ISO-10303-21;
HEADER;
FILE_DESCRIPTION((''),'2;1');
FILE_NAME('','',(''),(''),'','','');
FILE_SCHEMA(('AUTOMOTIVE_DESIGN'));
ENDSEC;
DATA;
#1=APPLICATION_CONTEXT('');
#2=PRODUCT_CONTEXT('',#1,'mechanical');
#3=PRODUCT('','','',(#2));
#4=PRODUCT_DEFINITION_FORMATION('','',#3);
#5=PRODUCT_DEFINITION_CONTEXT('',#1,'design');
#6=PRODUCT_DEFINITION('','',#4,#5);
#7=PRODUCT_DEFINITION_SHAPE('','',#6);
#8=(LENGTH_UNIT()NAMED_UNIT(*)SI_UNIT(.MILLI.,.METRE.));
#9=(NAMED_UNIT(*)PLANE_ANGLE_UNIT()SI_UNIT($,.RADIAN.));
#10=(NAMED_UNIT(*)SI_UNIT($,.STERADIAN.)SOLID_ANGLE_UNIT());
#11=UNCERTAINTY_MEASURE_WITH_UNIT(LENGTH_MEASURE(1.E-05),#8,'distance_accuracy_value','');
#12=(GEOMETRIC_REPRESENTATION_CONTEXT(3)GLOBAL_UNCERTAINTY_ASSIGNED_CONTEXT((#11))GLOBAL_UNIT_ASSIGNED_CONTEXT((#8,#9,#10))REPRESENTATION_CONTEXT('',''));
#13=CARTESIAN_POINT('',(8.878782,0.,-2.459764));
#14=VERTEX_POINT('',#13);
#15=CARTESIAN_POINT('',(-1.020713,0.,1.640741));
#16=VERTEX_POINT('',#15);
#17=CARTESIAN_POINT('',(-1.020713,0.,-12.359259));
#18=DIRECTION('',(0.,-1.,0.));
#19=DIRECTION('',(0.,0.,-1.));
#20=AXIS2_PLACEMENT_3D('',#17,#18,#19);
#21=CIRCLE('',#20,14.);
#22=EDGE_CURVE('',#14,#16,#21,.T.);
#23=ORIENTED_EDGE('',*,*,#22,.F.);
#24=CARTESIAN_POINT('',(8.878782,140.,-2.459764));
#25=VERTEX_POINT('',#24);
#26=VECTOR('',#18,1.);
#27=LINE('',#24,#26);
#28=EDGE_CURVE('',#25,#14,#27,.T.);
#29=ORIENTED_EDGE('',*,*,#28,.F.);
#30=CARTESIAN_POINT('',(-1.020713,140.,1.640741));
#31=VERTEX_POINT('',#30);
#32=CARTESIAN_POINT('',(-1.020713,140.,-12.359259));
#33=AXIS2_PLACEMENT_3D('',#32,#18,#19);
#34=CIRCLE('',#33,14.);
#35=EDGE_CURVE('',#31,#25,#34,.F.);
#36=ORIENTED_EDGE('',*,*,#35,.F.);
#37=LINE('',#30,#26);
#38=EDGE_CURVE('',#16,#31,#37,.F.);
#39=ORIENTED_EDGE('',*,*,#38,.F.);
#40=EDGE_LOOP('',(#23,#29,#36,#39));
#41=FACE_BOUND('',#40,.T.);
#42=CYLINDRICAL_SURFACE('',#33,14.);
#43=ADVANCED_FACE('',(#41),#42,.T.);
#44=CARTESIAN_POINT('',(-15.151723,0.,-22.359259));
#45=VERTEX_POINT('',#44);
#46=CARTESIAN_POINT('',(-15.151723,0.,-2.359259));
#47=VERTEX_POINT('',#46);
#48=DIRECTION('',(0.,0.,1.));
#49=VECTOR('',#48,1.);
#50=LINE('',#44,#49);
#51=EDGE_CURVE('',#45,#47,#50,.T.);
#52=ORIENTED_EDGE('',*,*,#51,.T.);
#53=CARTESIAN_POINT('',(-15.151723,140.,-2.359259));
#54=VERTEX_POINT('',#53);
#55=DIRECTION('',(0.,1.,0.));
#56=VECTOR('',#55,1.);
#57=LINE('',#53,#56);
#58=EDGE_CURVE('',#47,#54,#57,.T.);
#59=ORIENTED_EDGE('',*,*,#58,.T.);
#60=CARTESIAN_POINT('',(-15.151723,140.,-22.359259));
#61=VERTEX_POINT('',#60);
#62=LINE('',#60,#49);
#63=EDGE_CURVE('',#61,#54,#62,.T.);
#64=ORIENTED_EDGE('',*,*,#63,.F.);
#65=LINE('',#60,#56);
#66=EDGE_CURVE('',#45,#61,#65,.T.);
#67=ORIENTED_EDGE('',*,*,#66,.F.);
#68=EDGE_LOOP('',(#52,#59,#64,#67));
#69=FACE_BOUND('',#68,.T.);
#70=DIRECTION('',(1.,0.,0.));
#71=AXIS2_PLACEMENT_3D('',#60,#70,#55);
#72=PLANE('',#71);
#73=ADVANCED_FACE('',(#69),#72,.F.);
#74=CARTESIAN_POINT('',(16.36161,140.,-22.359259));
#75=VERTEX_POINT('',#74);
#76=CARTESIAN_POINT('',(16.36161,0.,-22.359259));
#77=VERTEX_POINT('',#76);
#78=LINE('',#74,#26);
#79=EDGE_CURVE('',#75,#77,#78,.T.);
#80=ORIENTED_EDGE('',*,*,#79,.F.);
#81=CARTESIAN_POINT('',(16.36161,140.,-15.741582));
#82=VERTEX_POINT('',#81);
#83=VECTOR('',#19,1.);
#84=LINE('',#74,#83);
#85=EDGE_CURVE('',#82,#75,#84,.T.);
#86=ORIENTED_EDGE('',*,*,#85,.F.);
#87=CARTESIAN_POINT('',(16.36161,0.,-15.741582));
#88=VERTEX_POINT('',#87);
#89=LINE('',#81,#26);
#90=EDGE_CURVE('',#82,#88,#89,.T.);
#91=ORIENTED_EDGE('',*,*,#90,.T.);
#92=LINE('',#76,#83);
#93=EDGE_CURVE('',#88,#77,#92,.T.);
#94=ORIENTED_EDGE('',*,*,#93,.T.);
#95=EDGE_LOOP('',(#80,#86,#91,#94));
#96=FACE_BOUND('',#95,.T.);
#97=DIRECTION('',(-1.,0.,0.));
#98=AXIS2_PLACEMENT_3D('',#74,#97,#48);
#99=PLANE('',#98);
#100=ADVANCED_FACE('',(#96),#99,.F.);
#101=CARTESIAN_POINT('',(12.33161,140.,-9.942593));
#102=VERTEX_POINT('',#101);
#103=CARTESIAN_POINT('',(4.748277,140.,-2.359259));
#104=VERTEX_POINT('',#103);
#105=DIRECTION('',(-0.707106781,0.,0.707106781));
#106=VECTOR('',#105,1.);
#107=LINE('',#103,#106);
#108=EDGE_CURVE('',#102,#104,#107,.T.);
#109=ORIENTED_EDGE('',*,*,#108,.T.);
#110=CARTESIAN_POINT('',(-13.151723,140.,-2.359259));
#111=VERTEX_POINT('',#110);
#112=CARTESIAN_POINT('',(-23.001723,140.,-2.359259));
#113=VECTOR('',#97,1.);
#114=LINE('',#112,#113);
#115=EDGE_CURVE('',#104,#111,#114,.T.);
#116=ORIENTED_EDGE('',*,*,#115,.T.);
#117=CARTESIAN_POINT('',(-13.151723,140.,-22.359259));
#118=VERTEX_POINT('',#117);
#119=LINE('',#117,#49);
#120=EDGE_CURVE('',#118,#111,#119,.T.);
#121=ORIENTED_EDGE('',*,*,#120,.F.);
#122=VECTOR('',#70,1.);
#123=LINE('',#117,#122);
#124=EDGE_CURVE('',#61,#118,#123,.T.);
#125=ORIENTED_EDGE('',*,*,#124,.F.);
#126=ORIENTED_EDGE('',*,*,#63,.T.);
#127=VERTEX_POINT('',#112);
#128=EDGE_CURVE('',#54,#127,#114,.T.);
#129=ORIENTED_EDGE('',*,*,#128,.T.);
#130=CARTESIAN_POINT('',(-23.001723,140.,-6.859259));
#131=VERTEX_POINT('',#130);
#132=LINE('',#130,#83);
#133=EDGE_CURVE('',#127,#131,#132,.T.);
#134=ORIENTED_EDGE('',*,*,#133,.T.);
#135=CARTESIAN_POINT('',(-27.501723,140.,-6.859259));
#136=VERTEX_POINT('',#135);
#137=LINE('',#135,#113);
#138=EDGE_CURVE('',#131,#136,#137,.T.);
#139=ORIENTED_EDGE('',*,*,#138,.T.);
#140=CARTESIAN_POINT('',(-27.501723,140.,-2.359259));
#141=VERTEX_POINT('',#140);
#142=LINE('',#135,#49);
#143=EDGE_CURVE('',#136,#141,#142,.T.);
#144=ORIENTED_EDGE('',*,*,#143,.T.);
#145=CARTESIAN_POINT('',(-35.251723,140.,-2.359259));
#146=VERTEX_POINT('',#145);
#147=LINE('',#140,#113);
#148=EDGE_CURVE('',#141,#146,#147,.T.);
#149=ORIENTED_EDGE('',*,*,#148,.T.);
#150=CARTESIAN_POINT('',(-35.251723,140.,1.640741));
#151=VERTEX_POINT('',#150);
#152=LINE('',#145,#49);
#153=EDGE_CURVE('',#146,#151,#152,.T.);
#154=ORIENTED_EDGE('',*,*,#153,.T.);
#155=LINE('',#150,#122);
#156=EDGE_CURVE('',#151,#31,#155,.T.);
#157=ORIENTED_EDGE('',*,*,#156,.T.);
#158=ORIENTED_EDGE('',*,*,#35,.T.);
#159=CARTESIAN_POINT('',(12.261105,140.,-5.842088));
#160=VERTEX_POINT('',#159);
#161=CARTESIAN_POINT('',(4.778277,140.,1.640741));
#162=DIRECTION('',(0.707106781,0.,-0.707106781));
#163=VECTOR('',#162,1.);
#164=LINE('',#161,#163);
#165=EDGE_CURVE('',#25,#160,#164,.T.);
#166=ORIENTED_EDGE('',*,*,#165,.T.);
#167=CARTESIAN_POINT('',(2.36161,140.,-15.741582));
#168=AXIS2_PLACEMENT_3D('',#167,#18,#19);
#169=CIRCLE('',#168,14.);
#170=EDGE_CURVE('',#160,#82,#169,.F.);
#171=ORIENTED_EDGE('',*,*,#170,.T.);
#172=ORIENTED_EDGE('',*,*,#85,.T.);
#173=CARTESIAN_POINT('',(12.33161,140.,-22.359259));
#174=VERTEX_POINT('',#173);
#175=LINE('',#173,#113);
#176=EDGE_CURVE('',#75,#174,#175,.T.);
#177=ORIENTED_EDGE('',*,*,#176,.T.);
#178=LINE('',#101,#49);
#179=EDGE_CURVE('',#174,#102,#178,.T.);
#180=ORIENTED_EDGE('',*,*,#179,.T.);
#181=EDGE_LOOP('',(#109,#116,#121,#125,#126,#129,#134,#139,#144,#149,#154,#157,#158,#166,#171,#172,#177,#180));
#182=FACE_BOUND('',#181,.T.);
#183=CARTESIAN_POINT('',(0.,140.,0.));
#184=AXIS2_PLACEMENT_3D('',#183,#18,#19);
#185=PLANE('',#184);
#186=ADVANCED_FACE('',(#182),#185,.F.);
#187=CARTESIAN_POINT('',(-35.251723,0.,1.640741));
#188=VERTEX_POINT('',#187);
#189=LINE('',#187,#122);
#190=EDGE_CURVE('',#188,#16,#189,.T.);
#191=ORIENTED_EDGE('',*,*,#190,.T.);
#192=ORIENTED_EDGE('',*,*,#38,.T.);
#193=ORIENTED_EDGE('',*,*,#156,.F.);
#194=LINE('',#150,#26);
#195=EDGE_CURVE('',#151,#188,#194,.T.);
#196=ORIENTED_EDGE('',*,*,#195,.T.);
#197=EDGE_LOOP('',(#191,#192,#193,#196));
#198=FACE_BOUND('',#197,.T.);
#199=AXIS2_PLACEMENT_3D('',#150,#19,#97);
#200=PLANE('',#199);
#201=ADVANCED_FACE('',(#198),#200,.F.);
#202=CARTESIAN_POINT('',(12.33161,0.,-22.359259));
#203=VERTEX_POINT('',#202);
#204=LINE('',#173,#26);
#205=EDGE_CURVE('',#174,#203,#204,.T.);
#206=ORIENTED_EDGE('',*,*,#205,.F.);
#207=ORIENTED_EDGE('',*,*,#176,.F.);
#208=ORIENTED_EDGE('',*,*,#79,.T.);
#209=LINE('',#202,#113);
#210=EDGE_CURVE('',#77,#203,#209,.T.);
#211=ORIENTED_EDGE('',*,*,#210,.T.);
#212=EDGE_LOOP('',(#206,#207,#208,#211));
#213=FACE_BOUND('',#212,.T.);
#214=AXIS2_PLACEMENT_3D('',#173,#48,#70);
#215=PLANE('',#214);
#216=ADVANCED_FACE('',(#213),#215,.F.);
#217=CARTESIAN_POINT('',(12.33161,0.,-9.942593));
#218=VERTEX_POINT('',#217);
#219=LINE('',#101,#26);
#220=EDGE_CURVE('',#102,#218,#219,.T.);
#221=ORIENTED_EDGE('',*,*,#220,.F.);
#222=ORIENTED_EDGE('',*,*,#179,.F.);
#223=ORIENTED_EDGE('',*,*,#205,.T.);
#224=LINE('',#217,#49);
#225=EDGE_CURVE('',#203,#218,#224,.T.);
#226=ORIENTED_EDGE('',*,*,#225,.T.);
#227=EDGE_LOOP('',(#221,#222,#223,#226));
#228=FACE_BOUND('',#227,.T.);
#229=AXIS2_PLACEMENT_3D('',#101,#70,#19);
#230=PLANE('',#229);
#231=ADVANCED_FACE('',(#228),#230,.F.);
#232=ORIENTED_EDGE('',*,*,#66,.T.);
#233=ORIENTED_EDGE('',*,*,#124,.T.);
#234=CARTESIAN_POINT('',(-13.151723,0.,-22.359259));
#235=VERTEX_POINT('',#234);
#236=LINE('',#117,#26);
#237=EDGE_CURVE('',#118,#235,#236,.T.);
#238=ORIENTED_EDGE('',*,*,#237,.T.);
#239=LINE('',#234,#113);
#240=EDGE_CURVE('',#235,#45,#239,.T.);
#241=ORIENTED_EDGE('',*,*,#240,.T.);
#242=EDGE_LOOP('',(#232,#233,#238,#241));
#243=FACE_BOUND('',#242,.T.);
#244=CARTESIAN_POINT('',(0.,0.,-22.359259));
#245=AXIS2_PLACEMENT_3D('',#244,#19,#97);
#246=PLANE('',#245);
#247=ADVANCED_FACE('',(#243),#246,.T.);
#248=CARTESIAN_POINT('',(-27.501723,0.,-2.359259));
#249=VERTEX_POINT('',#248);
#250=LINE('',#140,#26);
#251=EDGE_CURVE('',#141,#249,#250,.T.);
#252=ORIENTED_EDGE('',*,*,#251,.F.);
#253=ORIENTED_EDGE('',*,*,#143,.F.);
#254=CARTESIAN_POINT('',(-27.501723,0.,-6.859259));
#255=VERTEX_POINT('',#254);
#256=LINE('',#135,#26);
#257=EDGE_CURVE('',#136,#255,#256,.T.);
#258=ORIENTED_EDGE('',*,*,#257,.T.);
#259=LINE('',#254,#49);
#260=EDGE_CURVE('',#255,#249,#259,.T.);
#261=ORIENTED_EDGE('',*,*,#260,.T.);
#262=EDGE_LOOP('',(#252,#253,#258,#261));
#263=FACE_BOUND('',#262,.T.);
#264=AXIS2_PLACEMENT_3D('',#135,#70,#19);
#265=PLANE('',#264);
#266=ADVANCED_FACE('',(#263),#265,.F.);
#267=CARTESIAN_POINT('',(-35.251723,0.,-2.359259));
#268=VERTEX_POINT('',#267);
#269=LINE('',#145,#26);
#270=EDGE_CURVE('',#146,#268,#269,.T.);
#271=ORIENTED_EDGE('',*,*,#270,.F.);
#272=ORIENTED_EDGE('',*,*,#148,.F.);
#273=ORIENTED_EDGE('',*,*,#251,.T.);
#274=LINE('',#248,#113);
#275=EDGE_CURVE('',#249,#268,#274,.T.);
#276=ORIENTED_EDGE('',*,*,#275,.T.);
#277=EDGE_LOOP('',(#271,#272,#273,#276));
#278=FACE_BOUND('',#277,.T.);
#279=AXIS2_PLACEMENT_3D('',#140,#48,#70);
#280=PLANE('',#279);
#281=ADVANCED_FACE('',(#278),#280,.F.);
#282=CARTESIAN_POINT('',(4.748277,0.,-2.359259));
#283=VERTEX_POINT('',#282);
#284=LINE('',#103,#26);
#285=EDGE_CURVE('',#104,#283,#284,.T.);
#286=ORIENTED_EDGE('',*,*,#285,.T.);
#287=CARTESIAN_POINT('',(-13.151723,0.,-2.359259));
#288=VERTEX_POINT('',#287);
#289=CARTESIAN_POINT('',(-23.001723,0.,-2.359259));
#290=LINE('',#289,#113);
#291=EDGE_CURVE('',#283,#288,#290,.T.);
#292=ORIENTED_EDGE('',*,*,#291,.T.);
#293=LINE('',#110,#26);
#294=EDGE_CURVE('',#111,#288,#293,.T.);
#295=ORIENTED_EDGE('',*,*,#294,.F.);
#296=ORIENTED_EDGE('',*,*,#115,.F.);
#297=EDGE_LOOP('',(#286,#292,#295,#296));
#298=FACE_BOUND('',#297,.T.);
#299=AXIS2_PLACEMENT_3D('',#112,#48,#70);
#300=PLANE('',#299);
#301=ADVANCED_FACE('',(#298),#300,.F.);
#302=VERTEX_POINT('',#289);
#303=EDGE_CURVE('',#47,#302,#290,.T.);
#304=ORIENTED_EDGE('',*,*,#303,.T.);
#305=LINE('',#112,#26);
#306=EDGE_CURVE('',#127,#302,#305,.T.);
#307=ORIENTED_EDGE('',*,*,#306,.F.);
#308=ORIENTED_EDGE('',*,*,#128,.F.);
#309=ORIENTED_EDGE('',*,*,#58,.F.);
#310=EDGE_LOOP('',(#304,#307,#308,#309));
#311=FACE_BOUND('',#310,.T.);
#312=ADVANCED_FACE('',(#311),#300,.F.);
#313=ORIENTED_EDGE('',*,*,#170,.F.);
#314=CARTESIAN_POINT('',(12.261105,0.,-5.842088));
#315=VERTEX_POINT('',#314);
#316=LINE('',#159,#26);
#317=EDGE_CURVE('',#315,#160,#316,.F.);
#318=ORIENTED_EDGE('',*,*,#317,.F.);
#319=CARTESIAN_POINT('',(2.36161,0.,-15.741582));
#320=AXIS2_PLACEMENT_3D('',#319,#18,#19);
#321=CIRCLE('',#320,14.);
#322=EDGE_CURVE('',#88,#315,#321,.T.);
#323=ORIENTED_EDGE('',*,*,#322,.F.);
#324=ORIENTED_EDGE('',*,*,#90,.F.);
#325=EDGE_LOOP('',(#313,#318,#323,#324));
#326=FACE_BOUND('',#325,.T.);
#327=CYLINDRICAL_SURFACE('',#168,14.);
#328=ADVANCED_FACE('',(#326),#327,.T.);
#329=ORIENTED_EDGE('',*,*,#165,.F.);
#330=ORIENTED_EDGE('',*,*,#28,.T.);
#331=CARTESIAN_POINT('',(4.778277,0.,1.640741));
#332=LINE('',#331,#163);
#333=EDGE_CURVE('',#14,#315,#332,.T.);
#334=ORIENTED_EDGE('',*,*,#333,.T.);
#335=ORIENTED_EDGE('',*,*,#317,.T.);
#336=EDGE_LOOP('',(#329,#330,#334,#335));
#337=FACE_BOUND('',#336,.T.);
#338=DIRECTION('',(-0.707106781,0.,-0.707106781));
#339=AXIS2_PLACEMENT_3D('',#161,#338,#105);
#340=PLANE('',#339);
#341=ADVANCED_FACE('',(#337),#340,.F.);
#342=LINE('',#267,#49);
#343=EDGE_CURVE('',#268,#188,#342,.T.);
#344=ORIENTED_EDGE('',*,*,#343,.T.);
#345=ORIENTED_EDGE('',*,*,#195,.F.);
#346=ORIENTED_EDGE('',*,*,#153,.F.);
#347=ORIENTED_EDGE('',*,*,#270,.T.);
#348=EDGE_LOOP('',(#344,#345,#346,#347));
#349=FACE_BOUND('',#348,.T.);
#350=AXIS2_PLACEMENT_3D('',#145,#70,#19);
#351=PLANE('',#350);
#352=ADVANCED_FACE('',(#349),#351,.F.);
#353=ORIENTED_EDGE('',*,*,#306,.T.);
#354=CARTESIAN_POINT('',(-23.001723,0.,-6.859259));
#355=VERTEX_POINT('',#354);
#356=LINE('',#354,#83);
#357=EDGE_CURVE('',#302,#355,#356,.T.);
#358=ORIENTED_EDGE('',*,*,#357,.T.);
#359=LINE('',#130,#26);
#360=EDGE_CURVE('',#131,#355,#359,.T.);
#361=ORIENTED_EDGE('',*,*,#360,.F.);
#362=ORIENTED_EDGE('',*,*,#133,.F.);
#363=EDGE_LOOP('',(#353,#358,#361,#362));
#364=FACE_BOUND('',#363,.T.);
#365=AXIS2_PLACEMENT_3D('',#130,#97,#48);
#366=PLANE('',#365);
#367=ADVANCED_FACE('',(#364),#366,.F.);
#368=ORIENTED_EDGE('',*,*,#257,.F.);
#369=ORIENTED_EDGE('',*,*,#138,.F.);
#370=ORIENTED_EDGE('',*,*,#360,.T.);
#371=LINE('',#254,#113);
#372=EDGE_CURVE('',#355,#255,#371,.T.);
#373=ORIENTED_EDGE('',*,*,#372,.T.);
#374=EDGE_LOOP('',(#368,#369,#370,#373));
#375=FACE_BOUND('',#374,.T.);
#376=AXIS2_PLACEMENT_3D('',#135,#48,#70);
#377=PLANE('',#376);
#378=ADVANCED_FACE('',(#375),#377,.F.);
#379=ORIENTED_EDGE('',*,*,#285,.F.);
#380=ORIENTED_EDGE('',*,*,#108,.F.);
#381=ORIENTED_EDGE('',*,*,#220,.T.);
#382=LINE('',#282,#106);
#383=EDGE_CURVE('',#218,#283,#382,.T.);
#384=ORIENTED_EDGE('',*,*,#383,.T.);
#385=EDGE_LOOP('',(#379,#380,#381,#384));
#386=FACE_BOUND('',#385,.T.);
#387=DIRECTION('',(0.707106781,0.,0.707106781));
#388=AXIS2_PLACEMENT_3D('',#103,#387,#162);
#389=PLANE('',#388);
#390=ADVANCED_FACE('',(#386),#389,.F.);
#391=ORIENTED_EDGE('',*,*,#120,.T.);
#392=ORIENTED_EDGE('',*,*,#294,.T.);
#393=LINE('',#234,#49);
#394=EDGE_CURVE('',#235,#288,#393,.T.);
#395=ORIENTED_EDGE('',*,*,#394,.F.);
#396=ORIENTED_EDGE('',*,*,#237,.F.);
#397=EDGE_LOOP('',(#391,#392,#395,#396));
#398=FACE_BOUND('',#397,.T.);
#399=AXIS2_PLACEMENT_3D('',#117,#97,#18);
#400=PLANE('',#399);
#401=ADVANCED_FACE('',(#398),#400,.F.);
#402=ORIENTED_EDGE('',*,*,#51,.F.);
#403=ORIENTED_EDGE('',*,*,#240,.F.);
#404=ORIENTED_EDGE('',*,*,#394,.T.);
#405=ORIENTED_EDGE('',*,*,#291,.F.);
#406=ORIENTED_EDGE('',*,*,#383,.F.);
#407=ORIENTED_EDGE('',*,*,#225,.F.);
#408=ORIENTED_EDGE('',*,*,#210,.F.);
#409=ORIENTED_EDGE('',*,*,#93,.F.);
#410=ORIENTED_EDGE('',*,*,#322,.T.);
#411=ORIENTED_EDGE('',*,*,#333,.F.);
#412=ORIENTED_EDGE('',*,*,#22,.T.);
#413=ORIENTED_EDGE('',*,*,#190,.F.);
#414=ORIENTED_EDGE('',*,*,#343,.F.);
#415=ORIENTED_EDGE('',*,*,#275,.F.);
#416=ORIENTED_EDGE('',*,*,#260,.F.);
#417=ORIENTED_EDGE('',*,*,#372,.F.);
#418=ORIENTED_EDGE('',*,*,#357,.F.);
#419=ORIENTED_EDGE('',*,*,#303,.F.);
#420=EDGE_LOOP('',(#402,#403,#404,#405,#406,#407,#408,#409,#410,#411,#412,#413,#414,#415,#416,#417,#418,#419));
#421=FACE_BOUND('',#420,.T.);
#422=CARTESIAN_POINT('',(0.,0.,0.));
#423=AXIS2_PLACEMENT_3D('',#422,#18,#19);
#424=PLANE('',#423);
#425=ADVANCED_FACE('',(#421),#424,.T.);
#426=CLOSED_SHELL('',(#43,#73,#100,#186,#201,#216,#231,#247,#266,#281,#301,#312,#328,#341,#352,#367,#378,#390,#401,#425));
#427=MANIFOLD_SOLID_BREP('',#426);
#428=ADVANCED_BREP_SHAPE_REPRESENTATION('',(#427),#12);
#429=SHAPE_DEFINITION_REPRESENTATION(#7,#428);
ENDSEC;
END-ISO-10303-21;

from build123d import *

# Parameters (mm, degrees)
EXTRUDE_1_DEPTH = 140
FILLET_1_R      = 14
SKETCH_2_W      = 2
SKETCH_2_H      = 140
EXTRUDE_2_DEPTH = 20


with BuildPart() as part:
    # 草圖1 → 填料-伸長1 (new body)
    with BuildSketch(Plane(origin=(0, 0, 0), x_dir=(1, 0, 0), z_dir=(0, 1, 0))):
        Polygon((-27.501723192, 6.859259259), (-23.001723192, 6.859259259), (-23.001723192, 2.359259259), (4.748276808, 2.359259259), (12.331610141, 9.942592593), (12.331610141, 22.359259259), (16.361610141, 22.359259259), (16.361610141, 9.942592593), (4.778276808, -1.640740741), (-35.251723192, -1.640740741), (-35.251723192, 2.359259259), (-27.501723192, 2.359259259), align=None)
    extrude(amount=EXTRUDE_1_DEPTH)

    # 圓角1
    fillet_1_edges = [part.edges().sort_by_distance(p)[0] for p in [
        (16.361610141, 70, -9.942592593),
        (4.778276808, 70, 1.640740741),
    ]]
    fillet(fillet_1_edges, radius=FILLET_1_R)

    # 草圖2 → 填料-伸長2 (add)
    with BuildSketch(Plane(origin=(0, 0, -2.359259259), x_dir=(-1, 0, 0), z_dir=(0, 0, -1))):
        with Locations((14.151723192, 70)):
            Rectangle(SKETCH_2_W, SKETCH_2_H)
    extrude(amount=EXTRUDE_2_DEPTH)


solid = part.part
